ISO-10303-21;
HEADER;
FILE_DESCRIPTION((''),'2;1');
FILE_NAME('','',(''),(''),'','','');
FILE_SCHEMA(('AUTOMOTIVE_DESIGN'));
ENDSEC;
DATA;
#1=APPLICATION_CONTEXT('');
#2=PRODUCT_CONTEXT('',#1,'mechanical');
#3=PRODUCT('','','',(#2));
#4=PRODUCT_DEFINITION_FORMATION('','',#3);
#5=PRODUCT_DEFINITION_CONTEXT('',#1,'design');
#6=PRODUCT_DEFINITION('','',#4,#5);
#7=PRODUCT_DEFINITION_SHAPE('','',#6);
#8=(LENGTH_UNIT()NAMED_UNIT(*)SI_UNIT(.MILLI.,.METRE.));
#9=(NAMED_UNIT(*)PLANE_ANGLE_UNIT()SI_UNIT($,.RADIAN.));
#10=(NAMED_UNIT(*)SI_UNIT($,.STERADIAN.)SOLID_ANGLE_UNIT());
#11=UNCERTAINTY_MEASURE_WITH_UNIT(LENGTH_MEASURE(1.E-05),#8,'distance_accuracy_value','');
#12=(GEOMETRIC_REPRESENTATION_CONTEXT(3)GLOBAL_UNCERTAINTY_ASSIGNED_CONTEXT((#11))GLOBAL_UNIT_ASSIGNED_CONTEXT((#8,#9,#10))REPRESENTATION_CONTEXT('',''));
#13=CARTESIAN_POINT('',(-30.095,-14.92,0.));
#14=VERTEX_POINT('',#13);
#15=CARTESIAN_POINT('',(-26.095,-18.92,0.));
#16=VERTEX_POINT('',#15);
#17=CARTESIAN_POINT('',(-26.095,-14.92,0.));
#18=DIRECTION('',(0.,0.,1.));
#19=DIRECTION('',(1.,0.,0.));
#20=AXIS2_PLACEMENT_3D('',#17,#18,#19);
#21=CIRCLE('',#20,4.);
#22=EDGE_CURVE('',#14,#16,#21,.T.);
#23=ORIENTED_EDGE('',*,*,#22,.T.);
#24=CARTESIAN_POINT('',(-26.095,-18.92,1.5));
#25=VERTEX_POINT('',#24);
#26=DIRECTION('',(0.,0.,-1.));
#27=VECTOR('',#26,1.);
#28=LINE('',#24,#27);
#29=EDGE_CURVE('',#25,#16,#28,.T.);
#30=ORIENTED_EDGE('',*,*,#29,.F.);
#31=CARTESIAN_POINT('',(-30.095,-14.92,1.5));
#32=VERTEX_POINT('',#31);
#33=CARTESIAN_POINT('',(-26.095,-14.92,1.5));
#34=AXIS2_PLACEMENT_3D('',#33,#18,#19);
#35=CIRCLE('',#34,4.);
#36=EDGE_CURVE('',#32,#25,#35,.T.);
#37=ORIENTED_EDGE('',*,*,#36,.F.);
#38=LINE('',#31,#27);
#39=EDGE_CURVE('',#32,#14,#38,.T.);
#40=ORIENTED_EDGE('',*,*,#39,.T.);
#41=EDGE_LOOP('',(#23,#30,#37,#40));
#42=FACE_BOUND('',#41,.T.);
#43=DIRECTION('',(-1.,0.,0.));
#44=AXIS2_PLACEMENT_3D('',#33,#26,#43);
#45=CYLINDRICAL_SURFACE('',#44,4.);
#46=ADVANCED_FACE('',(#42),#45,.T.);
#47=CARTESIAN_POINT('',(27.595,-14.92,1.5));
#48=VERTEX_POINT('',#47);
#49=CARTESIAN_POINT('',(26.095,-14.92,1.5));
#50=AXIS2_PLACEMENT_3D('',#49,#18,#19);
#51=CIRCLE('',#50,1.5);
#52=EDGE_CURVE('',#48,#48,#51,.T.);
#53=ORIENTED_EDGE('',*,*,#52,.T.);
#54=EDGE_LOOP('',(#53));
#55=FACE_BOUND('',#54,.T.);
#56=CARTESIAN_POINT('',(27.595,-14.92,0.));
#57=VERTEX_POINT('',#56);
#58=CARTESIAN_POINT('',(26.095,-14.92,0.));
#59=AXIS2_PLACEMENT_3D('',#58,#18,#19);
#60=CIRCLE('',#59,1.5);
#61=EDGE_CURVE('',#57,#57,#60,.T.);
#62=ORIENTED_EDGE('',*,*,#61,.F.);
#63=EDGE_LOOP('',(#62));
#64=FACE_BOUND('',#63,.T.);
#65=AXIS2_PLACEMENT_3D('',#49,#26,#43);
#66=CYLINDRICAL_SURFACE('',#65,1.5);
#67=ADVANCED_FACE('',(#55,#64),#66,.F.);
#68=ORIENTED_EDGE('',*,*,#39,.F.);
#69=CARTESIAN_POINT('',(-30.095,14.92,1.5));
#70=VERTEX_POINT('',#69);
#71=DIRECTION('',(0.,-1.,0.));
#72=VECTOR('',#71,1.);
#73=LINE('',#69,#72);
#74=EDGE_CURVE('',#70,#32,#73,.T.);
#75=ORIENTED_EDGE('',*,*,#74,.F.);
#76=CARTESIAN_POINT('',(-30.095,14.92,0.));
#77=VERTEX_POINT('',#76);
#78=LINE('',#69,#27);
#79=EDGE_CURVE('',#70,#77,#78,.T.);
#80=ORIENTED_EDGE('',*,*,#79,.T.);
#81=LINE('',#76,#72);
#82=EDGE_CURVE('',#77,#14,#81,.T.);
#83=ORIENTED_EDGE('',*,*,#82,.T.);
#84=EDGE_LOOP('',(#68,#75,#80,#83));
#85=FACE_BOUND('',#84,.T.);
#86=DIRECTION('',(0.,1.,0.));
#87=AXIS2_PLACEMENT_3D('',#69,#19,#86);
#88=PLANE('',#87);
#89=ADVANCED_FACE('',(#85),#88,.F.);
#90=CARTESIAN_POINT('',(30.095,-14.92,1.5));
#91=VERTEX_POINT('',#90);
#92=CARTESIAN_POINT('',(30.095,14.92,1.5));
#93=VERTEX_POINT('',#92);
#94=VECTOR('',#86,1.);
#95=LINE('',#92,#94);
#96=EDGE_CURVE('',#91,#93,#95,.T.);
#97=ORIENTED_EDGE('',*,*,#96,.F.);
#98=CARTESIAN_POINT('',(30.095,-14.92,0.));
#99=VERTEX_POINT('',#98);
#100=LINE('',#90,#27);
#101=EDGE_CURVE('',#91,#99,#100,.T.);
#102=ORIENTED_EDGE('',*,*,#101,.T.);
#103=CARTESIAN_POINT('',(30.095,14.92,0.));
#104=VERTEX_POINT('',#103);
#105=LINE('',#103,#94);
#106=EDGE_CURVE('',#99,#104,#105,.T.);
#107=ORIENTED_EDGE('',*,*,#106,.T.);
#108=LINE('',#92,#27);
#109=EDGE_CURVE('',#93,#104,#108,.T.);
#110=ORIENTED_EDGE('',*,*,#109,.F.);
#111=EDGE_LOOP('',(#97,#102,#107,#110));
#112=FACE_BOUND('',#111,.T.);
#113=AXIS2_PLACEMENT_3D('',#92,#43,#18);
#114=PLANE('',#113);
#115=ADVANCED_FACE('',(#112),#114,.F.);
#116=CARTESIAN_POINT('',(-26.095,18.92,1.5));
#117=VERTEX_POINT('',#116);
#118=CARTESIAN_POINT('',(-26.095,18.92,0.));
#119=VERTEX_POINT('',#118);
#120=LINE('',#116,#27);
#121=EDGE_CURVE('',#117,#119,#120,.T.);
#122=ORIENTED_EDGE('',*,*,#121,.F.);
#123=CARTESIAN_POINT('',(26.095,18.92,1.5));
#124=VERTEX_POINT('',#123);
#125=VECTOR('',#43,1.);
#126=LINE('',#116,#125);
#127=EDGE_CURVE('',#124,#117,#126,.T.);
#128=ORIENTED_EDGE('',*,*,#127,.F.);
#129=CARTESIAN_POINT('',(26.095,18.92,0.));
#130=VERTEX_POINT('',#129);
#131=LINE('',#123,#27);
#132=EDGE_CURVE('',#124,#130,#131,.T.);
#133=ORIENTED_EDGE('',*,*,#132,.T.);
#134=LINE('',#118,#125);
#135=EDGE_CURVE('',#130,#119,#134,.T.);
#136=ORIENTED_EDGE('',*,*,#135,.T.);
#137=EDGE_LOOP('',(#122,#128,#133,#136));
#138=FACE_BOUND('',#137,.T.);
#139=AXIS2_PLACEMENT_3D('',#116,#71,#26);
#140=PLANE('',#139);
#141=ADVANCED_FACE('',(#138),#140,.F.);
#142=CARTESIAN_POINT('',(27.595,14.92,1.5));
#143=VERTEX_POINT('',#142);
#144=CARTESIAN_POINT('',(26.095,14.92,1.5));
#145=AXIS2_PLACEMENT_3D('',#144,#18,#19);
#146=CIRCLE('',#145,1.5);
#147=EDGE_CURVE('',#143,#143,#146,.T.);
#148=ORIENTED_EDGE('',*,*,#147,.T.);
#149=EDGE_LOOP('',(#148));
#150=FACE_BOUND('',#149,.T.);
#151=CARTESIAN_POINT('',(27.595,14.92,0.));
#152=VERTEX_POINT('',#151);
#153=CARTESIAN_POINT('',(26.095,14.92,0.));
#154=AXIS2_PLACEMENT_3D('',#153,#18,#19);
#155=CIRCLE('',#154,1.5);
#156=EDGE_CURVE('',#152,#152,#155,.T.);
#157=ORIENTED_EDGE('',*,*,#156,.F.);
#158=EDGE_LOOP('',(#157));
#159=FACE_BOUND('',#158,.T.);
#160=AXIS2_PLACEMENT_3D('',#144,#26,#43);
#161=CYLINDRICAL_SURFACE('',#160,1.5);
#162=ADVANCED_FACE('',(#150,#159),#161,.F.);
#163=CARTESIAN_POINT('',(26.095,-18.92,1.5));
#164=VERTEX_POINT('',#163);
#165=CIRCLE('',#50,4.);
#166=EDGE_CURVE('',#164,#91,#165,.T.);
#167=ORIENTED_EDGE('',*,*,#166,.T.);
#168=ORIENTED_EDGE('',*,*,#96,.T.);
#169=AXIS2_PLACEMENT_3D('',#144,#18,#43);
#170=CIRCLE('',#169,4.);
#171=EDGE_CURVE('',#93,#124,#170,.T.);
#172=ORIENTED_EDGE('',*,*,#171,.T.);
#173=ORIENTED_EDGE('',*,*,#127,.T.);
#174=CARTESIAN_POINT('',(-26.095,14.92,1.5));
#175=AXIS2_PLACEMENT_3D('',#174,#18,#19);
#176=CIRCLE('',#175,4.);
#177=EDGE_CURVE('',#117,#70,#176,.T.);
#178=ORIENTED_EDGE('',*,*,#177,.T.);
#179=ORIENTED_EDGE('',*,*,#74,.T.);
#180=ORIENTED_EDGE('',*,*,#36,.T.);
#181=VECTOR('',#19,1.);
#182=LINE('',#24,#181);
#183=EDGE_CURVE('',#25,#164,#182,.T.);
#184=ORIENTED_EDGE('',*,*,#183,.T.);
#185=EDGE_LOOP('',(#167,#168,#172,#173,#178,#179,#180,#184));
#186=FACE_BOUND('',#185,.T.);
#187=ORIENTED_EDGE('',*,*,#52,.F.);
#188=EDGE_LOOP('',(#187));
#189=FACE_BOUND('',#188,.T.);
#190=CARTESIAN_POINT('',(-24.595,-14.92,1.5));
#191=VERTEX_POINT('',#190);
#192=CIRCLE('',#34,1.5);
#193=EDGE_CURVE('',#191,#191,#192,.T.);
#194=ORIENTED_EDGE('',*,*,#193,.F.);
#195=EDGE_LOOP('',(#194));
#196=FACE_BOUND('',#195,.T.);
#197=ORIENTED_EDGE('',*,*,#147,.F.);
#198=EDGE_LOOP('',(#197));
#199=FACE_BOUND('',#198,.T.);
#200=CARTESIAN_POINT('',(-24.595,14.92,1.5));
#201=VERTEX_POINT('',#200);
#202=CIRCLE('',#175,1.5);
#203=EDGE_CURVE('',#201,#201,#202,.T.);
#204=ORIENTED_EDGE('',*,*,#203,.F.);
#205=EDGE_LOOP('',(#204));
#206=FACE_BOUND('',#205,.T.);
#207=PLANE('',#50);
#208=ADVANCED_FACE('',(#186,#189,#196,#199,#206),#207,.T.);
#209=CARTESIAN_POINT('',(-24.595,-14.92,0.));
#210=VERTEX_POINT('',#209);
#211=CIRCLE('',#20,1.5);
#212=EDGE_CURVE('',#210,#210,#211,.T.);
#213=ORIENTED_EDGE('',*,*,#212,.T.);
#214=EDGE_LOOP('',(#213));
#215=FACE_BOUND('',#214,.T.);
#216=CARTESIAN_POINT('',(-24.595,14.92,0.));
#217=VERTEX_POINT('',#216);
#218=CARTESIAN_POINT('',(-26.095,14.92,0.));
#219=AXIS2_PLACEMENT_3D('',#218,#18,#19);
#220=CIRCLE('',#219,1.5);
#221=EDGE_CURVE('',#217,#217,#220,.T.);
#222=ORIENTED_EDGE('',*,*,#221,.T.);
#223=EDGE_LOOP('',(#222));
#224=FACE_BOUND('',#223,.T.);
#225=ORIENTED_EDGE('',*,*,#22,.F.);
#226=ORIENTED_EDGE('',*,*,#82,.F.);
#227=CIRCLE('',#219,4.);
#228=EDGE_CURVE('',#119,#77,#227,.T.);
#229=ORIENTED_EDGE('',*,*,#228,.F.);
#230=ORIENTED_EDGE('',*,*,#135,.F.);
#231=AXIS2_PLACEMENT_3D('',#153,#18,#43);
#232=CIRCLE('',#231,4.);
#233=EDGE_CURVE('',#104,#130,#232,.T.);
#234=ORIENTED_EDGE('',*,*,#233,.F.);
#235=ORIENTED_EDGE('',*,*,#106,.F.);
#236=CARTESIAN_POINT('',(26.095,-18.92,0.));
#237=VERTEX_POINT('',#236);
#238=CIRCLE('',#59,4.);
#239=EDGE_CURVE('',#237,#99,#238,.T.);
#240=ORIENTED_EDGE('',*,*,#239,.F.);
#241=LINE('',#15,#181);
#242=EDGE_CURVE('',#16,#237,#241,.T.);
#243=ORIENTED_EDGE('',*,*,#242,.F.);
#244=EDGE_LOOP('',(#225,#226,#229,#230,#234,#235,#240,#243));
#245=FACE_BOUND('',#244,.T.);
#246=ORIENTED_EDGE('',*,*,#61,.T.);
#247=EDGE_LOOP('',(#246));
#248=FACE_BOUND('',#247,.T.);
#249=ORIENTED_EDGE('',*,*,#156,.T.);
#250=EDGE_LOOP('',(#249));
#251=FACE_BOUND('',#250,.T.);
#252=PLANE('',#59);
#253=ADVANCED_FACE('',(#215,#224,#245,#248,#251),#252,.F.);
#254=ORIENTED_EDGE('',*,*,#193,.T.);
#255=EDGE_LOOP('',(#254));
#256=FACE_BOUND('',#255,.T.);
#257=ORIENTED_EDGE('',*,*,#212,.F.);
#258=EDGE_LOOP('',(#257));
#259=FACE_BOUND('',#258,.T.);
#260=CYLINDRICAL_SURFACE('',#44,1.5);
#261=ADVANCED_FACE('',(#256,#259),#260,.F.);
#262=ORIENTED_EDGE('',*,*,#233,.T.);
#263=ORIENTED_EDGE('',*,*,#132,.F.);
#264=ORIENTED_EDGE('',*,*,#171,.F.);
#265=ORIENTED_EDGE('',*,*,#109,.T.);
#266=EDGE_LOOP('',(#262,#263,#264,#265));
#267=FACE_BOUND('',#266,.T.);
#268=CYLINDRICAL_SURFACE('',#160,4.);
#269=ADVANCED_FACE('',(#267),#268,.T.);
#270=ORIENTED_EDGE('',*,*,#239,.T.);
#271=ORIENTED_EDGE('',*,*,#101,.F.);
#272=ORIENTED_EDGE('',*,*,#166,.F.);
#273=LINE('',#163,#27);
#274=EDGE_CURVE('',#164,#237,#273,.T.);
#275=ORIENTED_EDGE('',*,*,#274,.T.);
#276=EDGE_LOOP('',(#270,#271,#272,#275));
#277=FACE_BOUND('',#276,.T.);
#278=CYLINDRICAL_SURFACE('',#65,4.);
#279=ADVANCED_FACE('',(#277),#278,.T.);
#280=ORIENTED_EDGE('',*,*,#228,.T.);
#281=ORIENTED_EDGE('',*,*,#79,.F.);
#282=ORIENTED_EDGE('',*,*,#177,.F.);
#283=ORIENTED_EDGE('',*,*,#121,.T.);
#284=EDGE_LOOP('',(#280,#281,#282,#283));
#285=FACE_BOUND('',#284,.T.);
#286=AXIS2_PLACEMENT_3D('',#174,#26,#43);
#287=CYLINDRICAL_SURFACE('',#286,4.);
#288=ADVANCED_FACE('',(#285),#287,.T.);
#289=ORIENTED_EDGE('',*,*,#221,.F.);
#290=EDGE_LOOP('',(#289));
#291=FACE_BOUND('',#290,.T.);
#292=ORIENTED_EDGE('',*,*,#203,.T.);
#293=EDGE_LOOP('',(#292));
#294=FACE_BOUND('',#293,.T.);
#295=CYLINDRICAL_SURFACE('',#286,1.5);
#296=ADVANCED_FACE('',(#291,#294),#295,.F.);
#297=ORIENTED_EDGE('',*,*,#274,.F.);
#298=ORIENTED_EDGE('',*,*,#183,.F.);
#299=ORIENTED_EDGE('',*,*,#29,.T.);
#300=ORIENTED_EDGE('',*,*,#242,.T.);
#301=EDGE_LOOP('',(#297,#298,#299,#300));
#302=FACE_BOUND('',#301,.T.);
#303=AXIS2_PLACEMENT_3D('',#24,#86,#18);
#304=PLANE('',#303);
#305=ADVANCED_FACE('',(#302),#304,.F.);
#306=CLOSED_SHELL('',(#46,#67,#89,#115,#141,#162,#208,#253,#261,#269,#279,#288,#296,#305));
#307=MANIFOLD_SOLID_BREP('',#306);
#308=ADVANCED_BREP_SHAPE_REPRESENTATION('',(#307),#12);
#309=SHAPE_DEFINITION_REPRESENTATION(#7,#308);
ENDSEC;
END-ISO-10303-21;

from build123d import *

# Parameters (mm, degrees)
SKETCH1_R           = 1.5
BOSS_EXTRUDE1_DEPTH = 1.5


with BuildPart() as part:
    # Sketch1 → Boss-Extrude1 (new body)
    with BuildSketch(Plane.XY):
        with BuildLine():
            Line((-26.095, 18.92), (26.095, 18.92))
            ThreePointArc((26.095, 18.92), (28.923427125, 17.748427125), (30.095, 14.92))
            Line((30.095, 14.92), (30.095, -14.92))
            ThreePointArc((30.095, -14.92), (28.923427125, -17.748427125), (26.095, -18.92))
            Line((26.095, -18.92), (-26.095, -18.92))
            ThreePointArc((-26.095, -18.92), (-28.923427125, -17.748427125), (-30.095, -14.92))
            Line((-30.095, -14.92), (-30.095, 14.92))
            ThreePointArc((-30.095, 14.92), (-28.923427125, 17.748427125), (-26.095, 18.92))
        make_face()
        with Locations((-26.095, 14.92)):
            Circle(SKETCH1_R, mode=Mode.SUBTRACT)
        with Locations((-26.095, -14.92)):
            Circle(SKETCH1_R, mode=Mode.SUBTRACT)
        with Locations((26.095, 14.92)):
            Circle(SKETCH1_R, mode=Mode.SUBTRACT)
        with Locations((26.095, -14.92)):
            Circle(SKETCH1_R, mode=Mode.SUBTRACT)
    extrude(amount=BOSS_EXTRUDE1_DEPTH)


solid = part.part
